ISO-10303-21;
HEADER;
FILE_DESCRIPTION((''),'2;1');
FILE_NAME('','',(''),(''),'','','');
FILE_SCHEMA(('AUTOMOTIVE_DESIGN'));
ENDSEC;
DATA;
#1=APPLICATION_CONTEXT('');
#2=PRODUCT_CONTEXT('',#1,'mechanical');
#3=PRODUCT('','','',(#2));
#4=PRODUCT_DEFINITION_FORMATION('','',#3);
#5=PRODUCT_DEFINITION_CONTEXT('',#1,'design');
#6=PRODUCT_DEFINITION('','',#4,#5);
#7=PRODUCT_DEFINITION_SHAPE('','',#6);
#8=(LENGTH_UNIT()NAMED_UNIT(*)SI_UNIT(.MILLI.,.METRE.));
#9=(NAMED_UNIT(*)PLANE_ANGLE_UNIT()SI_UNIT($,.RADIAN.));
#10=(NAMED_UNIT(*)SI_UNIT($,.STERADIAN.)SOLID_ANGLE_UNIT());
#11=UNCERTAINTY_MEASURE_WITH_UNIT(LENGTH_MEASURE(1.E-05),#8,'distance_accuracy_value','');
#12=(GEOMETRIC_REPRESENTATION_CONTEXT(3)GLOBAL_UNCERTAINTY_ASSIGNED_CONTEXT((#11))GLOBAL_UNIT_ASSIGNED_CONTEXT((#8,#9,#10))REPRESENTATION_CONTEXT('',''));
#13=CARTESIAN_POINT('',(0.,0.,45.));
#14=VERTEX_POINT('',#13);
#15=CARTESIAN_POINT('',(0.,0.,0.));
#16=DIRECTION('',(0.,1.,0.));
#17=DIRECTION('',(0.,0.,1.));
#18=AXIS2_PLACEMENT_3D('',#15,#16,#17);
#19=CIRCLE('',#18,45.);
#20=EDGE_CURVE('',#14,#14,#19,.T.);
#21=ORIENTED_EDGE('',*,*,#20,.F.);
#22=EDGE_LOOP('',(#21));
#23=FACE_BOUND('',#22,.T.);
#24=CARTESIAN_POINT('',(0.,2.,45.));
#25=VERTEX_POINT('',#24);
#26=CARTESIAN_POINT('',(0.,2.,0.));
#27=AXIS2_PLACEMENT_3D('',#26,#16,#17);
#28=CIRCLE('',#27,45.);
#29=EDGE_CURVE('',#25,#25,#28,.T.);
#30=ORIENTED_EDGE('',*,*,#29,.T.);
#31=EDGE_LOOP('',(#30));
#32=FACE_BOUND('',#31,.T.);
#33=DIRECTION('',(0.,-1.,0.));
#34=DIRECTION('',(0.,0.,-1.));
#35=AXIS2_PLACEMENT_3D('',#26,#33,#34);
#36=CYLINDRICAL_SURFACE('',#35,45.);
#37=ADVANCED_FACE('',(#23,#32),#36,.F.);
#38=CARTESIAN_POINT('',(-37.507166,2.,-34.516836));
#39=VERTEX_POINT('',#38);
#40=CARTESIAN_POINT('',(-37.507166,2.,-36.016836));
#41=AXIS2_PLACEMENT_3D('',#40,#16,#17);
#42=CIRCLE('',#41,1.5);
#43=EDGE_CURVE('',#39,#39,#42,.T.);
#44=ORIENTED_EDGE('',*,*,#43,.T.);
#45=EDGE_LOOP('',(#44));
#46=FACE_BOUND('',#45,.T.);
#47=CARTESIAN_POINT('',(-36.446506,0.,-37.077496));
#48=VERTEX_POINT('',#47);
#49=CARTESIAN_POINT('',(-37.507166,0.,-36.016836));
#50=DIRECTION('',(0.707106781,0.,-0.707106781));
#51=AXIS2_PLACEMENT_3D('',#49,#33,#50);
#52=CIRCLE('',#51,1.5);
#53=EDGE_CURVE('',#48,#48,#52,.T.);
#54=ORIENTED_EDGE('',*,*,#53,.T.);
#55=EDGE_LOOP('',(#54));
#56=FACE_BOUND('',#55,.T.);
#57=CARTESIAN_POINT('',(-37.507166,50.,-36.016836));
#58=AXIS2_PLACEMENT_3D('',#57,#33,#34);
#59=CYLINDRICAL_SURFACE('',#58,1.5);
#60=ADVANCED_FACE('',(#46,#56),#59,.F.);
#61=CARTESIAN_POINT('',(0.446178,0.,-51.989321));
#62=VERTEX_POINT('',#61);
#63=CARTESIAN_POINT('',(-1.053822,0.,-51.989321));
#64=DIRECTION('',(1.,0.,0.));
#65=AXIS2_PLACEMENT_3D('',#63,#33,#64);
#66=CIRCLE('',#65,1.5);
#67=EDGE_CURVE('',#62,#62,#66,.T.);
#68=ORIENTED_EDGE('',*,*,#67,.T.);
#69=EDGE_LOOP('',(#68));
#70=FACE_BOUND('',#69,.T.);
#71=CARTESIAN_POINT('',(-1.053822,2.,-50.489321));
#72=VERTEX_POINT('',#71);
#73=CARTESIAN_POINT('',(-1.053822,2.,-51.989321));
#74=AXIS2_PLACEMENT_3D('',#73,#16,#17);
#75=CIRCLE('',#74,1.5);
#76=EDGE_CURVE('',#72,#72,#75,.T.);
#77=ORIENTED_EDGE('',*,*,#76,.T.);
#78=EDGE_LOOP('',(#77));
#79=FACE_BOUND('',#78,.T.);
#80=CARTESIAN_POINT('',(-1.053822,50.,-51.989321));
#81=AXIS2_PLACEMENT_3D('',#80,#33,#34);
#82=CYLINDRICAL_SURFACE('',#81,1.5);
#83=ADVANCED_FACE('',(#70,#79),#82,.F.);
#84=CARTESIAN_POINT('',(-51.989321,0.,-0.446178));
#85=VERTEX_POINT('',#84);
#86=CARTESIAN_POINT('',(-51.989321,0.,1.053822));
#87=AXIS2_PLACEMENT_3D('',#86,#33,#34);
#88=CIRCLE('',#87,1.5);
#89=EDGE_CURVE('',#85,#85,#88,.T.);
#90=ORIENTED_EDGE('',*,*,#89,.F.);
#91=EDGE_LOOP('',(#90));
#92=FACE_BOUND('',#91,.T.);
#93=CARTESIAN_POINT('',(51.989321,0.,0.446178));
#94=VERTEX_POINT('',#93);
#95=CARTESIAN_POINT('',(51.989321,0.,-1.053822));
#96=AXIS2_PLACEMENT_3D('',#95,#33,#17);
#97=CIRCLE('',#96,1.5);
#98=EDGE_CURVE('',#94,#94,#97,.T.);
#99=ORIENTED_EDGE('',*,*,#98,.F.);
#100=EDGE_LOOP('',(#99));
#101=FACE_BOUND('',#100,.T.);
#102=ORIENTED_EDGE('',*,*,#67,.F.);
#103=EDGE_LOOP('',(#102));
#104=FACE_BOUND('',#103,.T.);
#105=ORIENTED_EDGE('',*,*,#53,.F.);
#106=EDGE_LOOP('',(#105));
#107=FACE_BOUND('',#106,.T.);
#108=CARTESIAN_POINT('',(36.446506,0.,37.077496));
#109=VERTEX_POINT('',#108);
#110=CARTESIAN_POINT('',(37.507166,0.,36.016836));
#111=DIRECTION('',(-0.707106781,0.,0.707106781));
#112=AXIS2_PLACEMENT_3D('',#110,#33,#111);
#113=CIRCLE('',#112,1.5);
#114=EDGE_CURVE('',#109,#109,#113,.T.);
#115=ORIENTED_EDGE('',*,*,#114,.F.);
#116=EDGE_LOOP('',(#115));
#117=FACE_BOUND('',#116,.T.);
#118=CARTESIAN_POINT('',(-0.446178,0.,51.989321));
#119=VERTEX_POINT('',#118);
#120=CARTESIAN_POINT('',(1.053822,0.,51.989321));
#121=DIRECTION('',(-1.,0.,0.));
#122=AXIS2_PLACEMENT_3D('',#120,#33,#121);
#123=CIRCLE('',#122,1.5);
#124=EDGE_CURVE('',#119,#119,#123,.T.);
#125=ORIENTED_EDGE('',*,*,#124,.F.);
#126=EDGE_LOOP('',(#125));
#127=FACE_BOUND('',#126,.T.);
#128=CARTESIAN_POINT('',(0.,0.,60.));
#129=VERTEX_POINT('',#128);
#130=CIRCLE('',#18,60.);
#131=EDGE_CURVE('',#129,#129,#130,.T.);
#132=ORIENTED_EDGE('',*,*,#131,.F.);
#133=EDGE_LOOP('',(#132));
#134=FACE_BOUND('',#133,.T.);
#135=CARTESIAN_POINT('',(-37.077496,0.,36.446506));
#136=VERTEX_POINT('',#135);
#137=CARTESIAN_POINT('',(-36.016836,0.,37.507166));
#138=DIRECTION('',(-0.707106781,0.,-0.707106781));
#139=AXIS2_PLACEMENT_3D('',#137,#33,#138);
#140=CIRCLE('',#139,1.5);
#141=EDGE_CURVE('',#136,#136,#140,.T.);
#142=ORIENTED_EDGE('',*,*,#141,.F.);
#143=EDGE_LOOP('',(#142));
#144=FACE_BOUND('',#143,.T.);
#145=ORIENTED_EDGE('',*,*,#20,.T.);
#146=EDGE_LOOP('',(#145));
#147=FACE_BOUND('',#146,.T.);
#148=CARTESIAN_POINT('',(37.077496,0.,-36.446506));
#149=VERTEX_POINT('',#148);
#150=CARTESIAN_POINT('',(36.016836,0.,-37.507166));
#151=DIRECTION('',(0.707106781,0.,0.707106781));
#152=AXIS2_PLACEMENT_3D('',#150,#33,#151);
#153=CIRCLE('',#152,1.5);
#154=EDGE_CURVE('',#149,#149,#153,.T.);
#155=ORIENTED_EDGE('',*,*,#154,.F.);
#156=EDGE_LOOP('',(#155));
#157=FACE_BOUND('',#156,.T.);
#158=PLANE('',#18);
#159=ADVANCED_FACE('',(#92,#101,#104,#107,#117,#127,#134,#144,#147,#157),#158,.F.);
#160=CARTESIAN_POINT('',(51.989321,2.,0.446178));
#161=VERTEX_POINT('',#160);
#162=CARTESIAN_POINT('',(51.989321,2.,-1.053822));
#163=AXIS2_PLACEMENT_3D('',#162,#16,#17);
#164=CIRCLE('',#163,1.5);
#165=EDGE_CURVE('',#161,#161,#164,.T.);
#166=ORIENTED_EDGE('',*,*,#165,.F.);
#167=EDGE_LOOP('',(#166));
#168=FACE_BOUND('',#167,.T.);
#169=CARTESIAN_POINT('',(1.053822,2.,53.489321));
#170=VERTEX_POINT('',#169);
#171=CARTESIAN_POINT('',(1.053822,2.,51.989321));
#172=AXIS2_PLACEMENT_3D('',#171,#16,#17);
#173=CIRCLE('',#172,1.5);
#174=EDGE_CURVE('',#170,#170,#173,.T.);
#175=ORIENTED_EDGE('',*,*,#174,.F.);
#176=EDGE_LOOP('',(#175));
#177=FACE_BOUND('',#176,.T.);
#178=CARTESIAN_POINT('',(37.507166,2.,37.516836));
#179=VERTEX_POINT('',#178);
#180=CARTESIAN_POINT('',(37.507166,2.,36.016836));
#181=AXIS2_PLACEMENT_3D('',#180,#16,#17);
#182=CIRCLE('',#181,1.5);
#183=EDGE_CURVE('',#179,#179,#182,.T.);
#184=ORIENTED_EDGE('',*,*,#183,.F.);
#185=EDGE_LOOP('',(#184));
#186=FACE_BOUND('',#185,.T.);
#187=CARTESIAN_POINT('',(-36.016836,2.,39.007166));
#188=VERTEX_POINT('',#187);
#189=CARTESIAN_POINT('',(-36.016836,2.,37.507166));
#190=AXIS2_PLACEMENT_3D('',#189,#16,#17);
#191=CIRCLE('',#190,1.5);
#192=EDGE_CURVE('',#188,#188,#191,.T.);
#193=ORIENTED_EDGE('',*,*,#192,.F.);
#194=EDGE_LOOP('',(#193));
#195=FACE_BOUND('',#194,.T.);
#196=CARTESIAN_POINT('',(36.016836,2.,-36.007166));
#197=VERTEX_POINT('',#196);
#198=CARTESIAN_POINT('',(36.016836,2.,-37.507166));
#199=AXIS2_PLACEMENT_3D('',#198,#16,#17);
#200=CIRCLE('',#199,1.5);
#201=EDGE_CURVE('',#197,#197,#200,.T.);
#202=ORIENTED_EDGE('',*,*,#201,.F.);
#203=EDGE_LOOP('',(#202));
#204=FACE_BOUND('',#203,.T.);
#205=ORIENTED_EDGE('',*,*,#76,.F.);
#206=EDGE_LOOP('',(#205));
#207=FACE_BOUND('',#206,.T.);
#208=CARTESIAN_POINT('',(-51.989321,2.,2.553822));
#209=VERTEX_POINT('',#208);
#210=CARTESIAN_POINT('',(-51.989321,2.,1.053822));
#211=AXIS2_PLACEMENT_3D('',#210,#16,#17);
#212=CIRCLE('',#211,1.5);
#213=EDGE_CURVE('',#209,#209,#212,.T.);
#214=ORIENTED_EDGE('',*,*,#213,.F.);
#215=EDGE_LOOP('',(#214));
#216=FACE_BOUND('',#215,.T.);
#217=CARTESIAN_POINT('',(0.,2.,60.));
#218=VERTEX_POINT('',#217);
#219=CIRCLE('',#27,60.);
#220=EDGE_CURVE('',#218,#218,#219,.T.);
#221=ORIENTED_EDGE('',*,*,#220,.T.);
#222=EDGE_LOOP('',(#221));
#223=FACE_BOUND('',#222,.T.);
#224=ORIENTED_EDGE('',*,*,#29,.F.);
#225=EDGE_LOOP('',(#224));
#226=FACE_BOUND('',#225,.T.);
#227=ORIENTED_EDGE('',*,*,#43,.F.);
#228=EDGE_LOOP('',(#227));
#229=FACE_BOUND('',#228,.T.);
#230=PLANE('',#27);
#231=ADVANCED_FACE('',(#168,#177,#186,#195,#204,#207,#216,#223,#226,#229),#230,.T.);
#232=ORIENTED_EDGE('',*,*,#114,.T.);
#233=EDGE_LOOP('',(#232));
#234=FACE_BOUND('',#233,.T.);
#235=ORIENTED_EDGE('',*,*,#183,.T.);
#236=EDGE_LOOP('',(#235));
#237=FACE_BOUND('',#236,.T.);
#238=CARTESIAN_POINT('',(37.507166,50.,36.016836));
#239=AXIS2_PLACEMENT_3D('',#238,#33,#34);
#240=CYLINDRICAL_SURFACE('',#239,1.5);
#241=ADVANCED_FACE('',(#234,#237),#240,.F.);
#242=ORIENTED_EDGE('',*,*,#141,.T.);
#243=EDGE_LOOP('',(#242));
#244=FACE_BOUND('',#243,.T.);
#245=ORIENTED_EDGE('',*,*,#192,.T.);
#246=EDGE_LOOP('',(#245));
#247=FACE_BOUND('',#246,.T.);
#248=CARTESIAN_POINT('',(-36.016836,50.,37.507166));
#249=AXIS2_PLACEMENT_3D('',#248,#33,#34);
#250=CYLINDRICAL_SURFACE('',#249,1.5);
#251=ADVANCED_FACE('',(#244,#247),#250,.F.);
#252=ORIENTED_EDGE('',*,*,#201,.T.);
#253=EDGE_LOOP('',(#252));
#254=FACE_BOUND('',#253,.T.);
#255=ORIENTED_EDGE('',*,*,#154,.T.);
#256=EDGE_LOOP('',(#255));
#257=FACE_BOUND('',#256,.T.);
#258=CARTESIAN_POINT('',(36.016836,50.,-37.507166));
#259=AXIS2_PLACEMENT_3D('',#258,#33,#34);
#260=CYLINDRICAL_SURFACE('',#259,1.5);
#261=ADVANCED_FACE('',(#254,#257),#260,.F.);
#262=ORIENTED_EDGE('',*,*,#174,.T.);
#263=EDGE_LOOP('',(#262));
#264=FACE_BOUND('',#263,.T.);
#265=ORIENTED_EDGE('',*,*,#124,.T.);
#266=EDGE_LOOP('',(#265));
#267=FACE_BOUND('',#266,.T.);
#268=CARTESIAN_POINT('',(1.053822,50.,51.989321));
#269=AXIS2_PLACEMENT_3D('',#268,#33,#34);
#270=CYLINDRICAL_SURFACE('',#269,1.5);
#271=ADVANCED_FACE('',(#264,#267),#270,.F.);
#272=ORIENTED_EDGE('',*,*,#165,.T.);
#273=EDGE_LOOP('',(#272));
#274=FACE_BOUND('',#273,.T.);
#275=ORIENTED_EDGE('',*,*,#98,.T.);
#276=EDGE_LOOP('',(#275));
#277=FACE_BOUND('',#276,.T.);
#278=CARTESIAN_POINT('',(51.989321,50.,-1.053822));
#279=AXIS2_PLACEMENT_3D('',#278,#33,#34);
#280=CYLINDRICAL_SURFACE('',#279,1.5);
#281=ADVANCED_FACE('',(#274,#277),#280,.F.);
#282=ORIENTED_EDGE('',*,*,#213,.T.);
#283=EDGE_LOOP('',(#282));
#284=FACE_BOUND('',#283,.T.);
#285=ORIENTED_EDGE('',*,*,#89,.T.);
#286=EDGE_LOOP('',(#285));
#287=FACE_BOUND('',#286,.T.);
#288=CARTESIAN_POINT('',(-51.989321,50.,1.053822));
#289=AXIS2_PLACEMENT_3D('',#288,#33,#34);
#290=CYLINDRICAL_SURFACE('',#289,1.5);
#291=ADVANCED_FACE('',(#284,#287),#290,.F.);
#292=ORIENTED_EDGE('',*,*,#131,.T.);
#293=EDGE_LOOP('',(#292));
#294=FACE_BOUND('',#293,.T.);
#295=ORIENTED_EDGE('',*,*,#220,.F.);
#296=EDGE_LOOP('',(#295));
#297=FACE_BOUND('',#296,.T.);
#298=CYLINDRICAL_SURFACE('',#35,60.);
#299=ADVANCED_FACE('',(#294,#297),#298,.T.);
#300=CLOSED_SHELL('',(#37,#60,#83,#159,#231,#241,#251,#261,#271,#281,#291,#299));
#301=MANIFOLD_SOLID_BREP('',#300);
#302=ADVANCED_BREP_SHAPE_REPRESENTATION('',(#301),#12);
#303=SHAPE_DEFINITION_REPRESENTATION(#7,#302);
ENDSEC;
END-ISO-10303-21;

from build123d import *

# Parameters (mm, degrees)
SKETCH_1_R               = 60
SKETCH_1_R_2             = 45
EXTRUDE_1_DEPTH          = 2
SKETCH_2_R               = 1.5
CUT_EXTRUDE_1_DEPTH      = 50
PATTERN_CIRCULAR_1_COUNT = 8


with BuildPart() as part:
    # 草图1 → 凸台-拉伸1 (new body)
    with BuildSketch(Plane(origin=(0, 0, 0), x_dir=(1, 0, 0), z_dir=(0, 1, 0))):
        with Locations(Location((0, 0, 0), (0, 0, 270))):
            Circle(SKETCH_1_R)
        with Locations(Location((0, 0, 0), (0, 0, 270))):
            Circle(SKETCH_1_R_2, mode=Mode.SUBTRACT)
    extrude(amount=EXTRUDE_1_DEPTH)

    # 草图2 → 切除-拉伸1 (cut)
    with BuildSketch(Plane.XZ):
        with Locations(Location((-51.989320621, 1.053822248, 0), (0, 0, 270))):
            Circle(SKETCH_2_R)
    cut_extrude_1 = extrude(amount=-CUT_EXTRUDE_1_DEPTH, mode=Mode.SUBTRACT)

    # 阵列(圆周)1: 切除-拉伸1 ×8 about axis
    pattern_circular_1_axis = Axis((0, 0, 0), (0, 1, 0))
    for i in range(1, PATTERN_CIRCULAR_1_COUNT):
        add(cut_extrude_1.rotate(pattern_circular_1_axis, i * 360 / PATTERN_CIRCULAR_1_COUNT), mode=Mode.SUBTRACT)


solid = part.part
